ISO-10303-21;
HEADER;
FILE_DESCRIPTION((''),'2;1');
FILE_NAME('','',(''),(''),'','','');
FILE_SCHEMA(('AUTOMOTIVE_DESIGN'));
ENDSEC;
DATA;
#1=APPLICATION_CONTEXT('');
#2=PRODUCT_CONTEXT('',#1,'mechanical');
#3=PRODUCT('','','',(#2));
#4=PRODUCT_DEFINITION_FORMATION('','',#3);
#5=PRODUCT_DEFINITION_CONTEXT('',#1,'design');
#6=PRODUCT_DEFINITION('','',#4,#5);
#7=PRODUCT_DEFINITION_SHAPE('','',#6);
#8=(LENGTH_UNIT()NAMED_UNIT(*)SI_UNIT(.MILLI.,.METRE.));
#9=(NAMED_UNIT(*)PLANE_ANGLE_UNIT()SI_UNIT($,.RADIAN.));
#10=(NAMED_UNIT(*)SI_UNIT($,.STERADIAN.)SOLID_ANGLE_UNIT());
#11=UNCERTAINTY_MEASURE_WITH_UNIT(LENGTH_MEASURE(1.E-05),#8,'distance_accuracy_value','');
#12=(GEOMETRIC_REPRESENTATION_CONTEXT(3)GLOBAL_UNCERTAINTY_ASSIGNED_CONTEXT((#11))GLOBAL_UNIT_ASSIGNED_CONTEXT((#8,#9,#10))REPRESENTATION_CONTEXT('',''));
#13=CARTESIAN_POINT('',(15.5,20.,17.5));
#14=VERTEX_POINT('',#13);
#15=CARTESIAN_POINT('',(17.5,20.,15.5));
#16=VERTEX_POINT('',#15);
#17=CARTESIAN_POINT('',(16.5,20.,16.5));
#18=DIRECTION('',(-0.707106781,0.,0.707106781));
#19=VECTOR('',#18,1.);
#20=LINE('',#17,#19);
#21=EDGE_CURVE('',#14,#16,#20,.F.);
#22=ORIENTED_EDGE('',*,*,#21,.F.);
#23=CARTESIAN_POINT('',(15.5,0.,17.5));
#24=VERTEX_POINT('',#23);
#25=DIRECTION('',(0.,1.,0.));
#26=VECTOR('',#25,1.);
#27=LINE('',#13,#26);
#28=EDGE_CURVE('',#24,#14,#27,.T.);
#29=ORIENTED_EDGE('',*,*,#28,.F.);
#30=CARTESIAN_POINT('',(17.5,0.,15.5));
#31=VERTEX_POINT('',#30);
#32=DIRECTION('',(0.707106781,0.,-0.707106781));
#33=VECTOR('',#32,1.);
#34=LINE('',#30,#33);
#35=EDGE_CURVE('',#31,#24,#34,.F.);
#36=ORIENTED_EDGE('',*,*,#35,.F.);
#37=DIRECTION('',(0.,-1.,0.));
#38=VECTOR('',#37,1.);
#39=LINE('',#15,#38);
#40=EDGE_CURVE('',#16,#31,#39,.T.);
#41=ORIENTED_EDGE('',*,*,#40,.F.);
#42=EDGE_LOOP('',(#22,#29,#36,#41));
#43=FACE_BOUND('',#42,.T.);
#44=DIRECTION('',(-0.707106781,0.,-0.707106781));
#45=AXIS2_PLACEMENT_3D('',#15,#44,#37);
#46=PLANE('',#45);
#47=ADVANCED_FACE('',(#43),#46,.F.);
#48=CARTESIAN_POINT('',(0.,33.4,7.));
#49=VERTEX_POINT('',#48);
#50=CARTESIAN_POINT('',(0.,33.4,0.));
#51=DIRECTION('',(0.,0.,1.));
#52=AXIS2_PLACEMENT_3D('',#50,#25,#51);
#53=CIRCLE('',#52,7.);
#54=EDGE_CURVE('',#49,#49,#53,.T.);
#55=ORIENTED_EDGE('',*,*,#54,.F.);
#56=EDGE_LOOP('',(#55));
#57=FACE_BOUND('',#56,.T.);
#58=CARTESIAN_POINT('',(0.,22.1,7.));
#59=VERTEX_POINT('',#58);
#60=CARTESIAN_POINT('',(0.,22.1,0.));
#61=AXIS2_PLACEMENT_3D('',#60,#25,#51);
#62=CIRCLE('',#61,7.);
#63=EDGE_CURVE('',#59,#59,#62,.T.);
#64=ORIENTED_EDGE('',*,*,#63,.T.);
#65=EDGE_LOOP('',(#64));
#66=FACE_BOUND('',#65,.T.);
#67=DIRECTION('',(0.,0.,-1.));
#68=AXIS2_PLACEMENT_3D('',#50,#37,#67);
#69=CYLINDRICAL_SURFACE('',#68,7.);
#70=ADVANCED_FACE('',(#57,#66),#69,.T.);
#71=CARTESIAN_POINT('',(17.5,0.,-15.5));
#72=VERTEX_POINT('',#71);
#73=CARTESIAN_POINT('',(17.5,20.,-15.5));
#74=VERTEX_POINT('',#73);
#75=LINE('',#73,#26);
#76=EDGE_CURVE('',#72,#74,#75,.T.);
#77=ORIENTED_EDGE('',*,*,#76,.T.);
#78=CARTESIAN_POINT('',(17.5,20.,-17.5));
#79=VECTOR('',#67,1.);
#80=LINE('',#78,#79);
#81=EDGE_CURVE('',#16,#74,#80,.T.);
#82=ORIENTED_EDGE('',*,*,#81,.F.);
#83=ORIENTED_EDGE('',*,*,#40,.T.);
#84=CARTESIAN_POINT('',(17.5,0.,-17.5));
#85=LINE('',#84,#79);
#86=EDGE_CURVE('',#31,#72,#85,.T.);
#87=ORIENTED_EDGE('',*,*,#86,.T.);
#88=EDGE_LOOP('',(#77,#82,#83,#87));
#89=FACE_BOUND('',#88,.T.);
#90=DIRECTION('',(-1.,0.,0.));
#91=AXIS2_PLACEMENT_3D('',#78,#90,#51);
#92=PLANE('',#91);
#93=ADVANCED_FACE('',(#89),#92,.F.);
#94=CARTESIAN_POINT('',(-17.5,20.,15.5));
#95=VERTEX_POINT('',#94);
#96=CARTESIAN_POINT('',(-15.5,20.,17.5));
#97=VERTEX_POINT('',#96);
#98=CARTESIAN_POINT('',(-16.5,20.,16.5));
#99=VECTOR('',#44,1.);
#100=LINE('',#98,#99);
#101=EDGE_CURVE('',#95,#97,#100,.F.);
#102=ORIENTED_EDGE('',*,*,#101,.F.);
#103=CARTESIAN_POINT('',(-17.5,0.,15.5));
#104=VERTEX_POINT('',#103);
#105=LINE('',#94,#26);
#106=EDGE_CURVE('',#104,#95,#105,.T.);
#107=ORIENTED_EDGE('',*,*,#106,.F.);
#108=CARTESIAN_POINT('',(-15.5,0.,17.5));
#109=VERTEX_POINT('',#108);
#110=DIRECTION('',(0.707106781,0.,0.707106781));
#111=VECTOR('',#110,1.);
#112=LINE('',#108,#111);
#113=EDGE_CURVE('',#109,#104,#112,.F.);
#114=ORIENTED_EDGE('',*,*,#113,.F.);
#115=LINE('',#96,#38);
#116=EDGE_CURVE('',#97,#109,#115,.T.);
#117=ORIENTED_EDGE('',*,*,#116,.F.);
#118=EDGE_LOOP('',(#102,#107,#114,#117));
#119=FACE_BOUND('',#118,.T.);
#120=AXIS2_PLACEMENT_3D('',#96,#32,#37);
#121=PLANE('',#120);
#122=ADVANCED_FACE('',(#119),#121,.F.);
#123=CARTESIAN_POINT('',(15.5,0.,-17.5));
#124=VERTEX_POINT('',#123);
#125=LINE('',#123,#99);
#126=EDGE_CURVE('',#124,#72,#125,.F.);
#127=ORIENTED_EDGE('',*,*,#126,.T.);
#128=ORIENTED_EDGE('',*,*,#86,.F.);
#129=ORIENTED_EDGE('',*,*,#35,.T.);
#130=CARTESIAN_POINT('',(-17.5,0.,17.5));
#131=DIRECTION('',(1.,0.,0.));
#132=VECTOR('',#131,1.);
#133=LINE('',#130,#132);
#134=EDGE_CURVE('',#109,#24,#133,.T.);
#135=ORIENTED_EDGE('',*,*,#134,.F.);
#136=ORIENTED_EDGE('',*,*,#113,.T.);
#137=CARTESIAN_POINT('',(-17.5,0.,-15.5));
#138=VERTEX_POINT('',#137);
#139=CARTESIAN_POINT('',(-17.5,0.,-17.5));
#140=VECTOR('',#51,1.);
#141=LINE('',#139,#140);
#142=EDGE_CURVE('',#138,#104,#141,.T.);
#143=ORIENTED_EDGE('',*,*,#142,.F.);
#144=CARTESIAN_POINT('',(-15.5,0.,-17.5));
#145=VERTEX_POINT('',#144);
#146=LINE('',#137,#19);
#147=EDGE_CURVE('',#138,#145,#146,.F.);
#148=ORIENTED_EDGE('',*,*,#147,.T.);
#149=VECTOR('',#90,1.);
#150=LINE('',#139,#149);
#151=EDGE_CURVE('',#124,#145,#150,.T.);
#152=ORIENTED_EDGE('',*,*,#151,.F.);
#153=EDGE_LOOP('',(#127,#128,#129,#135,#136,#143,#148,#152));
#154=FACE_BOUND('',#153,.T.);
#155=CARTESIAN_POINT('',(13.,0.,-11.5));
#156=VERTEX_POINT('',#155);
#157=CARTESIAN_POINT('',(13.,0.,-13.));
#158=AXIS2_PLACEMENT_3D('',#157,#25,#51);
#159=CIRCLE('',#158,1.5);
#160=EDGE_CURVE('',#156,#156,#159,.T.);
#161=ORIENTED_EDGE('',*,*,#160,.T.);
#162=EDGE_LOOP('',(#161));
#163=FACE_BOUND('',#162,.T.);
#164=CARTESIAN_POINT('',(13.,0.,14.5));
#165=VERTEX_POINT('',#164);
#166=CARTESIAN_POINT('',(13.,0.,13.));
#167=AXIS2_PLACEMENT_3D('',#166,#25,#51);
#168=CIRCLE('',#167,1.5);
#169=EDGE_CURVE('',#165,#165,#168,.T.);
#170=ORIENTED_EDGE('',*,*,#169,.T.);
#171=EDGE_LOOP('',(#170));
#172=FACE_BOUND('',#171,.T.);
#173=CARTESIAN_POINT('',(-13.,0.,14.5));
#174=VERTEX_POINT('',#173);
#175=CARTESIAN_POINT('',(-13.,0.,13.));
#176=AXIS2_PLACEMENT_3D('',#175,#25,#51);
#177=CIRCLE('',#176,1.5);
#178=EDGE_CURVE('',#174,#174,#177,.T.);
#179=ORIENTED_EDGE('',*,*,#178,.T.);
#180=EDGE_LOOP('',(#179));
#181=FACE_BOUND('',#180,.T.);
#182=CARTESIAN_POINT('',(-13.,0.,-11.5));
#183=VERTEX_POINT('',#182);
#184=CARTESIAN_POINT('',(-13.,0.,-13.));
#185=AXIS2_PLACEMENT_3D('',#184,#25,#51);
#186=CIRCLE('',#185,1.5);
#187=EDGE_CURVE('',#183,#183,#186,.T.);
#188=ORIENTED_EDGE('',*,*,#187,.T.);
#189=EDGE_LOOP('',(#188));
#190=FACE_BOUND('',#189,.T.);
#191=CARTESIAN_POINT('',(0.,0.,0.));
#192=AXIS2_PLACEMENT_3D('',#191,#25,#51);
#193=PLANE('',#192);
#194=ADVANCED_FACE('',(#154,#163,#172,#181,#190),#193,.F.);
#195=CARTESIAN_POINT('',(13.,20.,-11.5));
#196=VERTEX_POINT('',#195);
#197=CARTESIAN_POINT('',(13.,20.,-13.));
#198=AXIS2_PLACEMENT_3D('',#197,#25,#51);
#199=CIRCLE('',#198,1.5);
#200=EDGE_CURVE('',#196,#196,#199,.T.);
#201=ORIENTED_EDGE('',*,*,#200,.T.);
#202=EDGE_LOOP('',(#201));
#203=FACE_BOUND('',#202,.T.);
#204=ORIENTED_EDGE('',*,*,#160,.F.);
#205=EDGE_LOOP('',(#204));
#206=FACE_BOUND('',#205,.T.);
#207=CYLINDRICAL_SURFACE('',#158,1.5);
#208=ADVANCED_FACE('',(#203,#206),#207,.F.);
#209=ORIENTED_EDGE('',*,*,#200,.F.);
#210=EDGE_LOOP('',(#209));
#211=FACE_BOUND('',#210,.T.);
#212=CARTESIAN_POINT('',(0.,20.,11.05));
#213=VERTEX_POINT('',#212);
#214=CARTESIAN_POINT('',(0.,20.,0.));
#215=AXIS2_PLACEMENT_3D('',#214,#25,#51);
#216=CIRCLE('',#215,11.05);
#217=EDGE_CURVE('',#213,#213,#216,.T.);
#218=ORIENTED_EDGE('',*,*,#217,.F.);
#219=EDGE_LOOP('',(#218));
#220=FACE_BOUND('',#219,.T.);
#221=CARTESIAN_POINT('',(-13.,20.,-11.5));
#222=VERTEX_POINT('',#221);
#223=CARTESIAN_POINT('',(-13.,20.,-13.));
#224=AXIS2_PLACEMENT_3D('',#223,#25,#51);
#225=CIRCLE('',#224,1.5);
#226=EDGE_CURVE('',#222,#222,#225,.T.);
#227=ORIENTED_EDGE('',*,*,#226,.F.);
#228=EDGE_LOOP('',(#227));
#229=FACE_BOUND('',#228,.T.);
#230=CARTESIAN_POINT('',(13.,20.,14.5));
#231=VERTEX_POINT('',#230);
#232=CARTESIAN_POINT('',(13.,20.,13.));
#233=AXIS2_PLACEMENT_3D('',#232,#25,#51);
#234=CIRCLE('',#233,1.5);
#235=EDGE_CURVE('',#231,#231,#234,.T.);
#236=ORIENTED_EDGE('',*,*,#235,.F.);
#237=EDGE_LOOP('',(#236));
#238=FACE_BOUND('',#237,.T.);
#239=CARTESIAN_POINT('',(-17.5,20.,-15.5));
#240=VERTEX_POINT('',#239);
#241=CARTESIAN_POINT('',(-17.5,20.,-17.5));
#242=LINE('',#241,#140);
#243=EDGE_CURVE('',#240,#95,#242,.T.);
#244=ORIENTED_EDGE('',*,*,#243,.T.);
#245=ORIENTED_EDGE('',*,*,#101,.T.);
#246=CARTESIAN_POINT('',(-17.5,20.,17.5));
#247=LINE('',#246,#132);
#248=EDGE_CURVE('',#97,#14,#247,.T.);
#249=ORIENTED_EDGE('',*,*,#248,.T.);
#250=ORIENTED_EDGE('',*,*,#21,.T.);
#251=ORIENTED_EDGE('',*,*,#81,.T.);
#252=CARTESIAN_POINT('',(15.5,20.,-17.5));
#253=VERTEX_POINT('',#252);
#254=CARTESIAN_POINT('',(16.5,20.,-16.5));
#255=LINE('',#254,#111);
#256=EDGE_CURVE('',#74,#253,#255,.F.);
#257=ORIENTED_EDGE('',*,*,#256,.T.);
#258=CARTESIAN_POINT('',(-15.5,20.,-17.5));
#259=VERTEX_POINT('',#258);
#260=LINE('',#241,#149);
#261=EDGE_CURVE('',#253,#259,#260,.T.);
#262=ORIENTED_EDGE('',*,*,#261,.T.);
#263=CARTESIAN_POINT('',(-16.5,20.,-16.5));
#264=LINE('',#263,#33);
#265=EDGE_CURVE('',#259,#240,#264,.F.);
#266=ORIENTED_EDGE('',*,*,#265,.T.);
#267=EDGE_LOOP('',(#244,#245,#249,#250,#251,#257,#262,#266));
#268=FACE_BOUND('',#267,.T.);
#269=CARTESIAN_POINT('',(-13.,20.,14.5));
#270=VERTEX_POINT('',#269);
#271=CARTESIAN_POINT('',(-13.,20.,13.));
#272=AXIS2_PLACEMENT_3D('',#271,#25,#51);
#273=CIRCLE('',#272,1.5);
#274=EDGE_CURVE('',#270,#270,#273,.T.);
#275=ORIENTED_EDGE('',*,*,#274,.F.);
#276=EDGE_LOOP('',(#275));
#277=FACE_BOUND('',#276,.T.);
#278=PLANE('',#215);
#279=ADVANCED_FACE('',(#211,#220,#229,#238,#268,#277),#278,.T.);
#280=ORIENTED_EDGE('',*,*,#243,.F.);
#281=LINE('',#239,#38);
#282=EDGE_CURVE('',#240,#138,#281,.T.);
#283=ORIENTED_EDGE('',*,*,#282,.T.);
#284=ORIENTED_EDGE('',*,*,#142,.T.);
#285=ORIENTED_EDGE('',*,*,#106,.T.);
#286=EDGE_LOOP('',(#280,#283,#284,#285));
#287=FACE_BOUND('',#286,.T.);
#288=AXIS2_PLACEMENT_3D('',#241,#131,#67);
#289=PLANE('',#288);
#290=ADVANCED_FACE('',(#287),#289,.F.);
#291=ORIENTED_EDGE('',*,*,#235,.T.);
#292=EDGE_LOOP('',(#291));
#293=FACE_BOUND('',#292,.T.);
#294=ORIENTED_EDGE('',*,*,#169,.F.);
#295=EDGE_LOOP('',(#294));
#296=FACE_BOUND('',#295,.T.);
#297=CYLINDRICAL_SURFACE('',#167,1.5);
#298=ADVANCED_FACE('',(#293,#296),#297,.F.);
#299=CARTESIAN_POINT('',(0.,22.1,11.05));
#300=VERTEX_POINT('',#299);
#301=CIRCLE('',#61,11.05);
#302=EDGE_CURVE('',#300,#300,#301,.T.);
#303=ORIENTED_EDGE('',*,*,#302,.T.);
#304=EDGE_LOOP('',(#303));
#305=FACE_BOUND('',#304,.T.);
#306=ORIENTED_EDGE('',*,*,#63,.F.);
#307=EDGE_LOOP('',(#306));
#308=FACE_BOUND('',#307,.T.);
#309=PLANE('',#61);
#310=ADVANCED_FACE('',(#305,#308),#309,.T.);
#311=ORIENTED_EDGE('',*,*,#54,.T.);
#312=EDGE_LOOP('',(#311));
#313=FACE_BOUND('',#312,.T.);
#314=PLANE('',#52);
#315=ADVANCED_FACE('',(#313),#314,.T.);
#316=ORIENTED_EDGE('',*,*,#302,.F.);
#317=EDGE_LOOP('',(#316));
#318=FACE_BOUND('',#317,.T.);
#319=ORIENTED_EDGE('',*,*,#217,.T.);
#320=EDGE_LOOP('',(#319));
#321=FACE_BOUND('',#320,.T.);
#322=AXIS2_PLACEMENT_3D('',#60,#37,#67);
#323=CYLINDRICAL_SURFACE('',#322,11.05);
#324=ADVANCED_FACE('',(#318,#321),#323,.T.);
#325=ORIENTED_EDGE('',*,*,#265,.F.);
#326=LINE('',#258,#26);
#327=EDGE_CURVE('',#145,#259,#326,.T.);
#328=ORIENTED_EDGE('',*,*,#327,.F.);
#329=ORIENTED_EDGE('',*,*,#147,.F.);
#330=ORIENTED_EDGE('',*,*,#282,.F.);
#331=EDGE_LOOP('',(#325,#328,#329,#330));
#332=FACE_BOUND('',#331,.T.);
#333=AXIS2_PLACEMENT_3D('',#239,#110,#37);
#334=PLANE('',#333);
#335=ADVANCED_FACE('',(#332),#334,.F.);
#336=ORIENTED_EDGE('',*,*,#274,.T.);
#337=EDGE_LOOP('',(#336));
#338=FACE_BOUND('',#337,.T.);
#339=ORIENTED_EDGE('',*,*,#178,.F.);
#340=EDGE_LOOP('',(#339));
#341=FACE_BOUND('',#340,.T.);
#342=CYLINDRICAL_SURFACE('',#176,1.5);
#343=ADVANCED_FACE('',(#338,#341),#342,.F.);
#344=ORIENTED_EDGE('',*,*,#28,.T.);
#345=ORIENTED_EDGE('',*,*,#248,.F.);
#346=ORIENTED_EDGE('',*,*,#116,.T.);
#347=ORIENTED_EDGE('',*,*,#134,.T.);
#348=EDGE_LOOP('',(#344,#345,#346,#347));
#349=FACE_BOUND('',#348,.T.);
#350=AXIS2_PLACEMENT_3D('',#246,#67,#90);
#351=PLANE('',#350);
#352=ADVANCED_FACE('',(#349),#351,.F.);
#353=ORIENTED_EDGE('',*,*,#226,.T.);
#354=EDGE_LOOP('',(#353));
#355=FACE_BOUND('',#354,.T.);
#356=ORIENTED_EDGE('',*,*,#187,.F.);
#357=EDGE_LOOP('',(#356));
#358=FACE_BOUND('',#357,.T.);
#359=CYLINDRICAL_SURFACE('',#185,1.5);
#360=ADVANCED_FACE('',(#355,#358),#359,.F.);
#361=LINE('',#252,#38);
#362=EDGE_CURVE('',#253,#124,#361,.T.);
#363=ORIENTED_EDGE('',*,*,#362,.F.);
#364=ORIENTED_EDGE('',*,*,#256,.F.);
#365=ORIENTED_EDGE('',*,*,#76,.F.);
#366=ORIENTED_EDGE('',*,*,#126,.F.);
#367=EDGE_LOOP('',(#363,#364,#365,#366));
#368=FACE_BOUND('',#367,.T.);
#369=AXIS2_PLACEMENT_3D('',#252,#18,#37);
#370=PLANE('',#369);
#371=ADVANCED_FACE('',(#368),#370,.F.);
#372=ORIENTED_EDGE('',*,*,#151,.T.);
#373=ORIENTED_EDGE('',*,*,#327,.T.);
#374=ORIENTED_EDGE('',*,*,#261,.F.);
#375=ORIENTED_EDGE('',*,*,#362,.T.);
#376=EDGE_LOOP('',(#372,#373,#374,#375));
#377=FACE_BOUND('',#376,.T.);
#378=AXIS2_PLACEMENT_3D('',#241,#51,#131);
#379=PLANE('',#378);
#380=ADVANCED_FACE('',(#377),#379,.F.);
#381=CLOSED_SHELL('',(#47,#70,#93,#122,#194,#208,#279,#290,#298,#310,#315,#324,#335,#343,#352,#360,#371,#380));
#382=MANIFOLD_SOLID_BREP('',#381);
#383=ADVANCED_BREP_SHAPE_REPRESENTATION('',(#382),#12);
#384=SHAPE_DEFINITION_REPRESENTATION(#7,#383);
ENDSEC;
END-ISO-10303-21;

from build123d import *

# Parameters (mm, degrees)
SKETCH1_W           = 35
SKETCH1_H           = 35
BOSS_EXTRUDE1_DEPTH = 20
SKETCH3_R           = 1.5
CUT_EXTRUDE1_DEPTH  = 20
CHAMFER1_SIZE       = 2
SKETCH4_R           = 11.05
BOSS_EXTRUDE2_DEPTH = 2.1
SKETCH5_R           = 7
BOSS_EXTRUDE3_DEPTH = 11.3


with BuildPart() as part:
    # Sketch1 → Boss-Extrude1 (new body)
    with BuildSketch(Plane(origin=(0, 0, 0), x_dir=(1, 0, 0), z_dir=(0, 1, 0))):
        Rectangle(SKETCH1_W, SKETCH1_H)
    extrude(amount=BOSS_EXTRUDE1_DEPTH)

    # Sketch3 → Cut-Extrude1 (cut)
    with BuildSketch(Plane(origin=(0, 20, 0), x_dir=(1, 0, 0), z_dir=(0, 1, 0))):
        with Locations(Location((13, 13, 0), (0, 0, 270))):
            Circle(SKETCH3_R)
        with Locations(Location((13, -13, 0), (0, 0, 270))):
            Circle(SKETCH3_R)
        with Locations(Location((-13, -13, 0), (0, 0, 270))):
            Circle(SKETCH3_R)
        with Locations(Location((-13, 13, 0), (0, 0, 270))):
            Circle(SKETCH3_R)
    extrude(amount=-CUT_EXTRUDE1_DEPTH, mode=Mode.SUBTRACT)

    # Chamfer1
    chamfer1_edges = [part.edges().sort_by_distance(p)[0] for p in [
        (17.5, 10, 17.5),
        (-17.5, 10, 17.5),
        (-17.5, 10, -17.5),
        (17.5, 10, -17.5),
    ]]
    chamfer(chamfer1_edges, length=CHAMFER1_SIZE)

    # Sketch4 → Boss-Extrude2 (add)
    with BuildSketch(Plane(origin=(0, 20, 0), x_dir=(1, 0, 0), z_dir=(0, 1, 0))):
        with Locations(Location((0, 0, 0), (0, 0, 270))):
            Circle(SKETCH4_R)
    extrude(amount=BOSS_EXTRUDE2_DEPTH)

    # Sketch5 → Boss-Extrude3 (add)
    with BuildSketch(Plane(origin=(0, 22.1, 0), x_dir=(1, 0, 0), z_dir=(0, 1, 0))):
        with Locations(Location((0, 0, 0), (0, 0, 270))):
            Circle(SKETCH5_R)
    extrude(amount=BOSS_EXTRUDE3_DEPTH)


solid = part.part
